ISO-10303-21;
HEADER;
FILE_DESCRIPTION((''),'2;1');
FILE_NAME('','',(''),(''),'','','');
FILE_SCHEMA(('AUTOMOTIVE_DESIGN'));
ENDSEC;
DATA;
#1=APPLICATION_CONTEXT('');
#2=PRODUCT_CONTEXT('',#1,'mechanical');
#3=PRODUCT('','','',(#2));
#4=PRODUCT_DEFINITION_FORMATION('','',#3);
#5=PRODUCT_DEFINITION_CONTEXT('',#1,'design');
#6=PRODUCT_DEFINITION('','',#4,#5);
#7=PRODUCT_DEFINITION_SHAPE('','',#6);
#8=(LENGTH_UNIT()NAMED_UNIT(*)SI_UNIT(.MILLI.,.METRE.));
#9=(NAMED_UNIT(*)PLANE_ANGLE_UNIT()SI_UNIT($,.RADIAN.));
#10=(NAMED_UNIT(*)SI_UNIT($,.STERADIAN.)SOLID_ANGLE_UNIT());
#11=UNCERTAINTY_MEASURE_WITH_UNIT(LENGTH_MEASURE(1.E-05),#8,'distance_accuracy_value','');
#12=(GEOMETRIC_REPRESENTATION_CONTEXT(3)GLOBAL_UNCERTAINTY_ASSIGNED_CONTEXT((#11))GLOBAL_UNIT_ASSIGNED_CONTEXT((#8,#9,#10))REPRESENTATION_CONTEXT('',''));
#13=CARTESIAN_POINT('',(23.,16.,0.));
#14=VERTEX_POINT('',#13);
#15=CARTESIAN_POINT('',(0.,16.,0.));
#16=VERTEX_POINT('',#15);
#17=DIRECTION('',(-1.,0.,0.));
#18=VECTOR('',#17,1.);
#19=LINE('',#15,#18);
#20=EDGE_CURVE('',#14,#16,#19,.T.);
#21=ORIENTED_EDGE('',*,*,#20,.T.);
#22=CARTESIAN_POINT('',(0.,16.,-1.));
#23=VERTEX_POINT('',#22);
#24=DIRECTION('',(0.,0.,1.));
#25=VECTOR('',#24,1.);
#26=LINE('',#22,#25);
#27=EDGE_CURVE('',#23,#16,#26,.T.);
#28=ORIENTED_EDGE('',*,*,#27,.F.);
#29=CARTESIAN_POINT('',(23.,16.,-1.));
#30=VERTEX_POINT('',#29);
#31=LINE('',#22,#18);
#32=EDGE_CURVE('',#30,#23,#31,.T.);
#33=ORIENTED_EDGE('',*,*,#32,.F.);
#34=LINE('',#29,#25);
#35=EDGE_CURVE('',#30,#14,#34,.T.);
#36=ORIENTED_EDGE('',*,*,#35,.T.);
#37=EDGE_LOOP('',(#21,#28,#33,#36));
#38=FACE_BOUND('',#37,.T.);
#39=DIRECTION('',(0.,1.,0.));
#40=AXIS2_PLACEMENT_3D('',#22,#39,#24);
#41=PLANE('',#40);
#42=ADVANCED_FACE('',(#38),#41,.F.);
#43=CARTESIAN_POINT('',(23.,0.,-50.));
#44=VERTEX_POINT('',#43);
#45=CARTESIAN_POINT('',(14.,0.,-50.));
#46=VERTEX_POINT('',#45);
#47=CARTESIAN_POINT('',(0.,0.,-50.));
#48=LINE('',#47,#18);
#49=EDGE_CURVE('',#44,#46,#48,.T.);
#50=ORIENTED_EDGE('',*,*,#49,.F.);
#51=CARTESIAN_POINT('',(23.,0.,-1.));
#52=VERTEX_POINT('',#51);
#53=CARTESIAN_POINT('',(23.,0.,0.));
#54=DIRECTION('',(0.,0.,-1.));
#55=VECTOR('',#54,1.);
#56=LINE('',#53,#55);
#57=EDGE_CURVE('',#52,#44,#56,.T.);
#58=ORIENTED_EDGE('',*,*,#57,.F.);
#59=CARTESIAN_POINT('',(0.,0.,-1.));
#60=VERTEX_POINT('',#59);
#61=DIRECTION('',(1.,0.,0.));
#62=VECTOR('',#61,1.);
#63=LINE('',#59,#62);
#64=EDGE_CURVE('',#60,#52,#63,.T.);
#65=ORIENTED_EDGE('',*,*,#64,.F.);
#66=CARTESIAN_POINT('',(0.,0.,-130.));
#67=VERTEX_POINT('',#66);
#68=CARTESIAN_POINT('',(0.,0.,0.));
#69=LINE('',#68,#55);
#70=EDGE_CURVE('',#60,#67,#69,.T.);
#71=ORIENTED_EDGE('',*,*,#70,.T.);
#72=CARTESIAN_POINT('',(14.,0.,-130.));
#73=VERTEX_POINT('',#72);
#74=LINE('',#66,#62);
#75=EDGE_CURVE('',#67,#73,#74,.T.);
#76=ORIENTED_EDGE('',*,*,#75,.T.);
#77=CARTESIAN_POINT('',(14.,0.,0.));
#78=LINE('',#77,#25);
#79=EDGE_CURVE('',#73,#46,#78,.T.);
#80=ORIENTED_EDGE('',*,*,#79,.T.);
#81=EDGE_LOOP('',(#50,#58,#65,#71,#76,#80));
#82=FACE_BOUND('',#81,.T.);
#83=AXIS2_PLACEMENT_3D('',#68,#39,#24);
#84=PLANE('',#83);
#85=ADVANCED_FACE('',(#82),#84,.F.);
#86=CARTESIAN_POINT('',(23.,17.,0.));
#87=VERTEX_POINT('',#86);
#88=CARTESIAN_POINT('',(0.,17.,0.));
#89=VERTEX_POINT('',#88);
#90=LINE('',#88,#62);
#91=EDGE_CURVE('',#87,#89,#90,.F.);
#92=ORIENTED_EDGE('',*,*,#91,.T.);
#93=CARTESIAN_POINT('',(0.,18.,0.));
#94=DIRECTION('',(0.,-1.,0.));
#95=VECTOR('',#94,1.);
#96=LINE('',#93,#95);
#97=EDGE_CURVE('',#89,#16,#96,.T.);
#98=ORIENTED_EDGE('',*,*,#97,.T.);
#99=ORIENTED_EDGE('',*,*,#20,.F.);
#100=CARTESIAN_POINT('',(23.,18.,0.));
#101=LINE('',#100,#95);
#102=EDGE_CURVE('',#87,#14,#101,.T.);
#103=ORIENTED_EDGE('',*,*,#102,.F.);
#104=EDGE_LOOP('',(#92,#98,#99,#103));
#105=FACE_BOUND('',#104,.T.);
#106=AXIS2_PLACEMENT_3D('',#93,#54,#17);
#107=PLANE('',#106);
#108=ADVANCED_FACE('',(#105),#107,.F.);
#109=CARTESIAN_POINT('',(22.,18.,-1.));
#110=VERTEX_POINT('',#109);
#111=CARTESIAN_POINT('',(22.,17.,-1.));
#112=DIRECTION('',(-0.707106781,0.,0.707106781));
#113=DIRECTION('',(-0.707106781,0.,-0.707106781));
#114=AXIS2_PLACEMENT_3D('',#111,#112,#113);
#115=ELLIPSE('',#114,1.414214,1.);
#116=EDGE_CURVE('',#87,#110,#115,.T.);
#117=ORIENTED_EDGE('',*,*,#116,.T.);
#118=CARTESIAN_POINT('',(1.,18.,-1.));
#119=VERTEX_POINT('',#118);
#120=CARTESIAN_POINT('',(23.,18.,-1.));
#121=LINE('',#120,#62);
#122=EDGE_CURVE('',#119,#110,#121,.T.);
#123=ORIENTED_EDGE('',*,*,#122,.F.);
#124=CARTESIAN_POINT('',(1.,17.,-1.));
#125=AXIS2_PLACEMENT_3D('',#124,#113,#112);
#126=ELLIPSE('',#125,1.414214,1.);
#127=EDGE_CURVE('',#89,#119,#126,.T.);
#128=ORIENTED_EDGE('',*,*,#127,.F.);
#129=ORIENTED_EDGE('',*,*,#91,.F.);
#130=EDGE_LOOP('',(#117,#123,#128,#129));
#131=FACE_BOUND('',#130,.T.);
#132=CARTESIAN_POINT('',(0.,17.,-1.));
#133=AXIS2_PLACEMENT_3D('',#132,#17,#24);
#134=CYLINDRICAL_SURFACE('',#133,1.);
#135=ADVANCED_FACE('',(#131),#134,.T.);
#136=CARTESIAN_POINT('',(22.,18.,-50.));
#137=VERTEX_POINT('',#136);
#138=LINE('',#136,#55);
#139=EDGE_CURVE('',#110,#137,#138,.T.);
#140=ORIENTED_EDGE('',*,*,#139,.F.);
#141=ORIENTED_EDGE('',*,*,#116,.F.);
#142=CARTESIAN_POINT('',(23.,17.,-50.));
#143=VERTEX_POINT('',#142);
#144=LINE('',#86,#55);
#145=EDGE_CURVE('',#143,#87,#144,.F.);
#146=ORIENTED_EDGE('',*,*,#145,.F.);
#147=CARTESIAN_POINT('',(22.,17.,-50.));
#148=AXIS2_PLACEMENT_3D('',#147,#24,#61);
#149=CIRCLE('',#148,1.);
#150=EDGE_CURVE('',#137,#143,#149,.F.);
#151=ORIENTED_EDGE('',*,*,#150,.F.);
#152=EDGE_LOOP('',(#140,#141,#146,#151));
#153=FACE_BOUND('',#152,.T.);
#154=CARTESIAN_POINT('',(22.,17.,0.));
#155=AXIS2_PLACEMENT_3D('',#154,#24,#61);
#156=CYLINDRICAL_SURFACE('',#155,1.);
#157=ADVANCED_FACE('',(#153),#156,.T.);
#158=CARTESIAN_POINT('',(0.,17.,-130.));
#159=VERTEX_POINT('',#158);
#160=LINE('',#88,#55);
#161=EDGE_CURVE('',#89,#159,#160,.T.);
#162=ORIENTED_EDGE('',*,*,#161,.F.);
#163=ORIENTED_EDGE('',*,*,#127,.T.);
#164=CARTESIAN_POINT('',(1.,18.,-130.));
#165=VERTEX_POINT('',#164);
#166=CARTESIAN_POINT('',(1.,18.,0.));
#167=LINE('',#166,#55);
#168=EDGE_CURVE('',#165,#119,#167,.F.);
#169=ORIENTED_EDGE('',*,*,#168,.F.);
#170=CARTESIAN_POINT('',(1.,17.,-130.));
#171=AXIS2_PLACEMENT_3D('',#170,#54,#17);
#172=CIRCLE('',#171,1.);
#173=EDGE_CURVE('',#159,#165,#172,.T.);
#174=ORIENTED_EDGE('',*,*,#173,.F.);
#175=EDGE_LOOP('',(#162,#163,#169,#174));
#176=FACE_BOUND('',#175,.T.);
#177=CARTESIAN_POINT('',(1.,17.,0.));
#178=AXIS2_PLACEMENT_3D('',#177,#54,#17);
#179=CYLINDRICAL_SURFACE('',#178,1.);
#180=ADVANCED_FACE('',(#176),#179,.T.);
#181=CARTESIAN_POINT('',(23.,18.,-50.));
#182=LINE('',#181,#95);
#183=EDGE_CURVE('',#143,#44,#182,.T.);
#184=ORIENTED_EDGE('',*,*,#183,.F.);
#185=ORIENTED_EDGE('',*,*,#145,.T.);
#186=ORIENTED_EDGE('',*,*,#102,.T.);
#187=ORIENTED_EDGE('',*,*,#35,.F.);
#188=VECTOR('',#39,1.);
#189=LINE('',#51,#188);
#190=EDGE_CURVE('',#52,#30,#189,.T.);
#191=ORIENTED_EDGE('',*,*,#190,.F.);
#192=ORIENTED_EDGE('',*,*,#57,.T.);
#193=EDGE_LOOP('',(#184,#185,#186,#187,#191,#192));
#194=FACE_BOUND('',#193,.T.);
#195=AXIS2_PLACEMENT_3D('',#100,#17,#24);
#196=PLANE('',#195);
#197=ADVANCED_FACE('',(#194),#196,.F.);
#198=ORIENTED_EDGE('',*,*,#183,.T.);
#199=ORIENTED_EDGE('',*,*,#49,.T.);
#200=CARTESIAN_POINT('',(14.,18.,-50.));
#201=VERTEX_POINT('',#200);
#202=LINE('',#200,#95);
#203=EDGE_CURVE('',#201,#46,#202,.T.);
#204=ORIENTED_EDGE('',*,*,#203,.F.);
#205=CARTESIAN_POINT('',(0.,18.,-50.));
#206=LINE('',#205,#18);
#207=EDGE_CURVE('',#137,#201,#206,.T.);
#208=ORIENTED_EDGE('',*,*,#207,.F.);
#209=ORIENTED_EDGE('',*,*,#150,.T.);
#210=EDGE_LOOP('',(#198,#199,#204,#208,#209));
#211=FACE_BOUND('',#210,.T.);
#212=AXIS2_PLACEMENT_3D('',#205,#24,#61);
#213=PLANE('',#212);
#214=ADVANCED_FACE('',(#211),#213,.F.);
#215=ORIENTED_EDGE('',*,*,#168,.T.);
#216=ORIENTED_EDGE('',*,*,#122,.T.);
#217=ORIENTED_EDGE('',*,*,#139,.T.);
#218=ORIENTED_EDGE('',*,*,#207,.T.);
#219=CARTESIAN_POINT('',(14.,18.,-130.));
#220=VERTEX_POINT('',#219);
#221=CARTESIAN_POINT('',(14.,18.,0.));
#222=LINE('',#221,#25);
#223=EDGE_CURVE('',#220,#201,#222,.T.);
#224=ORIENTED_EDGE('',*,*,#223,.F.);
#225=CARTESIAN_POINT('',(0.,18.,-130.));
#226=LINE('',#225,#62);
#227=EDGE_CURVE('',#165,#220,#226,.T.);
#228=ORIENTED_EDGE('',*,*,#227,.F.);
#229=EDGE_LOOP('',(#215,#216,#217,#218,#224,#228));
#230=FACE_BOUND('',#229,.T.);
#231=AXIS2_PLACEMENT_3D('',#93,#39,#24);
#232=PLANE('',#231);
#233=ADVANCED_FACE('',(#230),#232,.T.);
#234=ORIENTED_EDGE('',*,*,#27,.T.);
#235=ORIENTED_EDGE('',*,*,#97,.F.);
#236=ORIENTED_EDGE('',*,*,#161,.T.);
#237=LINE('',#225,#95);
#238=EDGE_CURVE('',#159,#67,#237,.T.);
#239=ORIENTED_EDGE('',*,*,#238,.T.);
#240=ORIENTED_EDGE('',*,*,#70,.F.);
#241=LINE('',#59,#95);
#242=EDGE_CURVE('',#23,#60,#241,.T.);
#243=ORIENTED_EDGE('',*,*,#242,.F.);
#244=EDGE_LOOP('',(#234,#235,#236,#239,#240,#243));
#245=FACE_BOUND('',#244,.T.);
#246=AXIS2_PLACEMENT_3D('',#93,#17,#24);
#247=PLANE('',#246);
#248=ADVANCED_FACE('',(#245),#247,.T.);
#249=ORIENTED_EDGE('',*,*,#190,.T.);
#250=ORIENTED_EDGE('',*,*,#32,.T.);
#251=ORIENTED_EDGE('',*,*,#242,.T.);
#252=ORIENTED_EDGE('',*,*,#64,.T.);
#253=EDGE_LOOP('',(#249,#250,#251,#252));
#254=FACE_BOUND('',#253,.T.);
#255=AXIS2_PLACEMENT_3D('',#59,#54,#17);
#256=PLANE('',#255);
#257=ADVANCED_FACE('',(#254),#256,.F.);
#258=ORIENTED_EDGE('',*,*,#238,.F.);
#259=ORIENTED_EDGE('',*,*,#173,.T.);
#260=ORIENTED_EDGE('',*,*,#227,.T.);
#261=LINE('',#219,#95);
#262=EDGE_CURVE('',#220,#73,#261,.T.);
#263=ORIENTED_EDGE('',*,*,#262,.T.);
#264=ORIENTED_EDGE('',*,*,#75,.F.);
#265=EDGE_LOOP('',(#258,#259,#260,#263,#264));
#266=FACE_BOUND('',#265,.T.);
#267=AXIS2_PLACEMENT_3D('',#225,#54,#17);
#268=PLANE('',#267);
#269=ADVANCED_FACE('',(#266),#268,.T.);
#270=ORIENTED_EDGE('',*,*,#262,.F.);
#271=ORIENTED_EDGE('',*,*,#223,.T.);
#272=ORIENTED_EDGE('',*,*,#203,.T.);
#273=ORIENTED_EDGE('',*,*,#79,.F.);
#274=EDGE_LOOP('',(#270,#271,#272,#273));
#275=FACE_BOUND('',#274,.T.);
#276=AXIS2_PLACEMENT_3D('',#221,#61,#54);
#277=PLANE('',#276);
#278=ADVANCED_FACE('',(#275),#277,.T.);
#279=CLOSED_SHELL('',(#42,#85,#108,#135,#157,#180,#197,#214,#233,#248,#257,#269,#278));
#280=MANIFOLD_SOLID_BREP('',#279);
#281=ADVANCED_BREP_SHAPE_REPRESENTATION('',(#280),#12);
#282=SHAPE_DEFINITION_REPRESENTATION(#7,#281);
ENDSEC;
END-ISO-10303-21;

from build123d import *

# Parameters (mm, degrees)
SALIENTE_EXTRUIR1_DEPTH = 18
CROQUIS3_W              = 23
CROQUIS3_H              = 16
CORTAR_EXTRUIR1_DEPTH   = 1
REDONDEO1_R             = 1


with BuildPart() as part:
    # Croquis2 → Saliente-Extruir1 (new body)
    with BuildSketch(Plane(origin=(0, 0, 0), x_dir=(1, 0, 0), z_dir=(0, 1, 0))):
        Polygon((0, 130), (0, 0), (23, 0), (23, 50), (14, 50), (14, 130), align=None)
    extrude(amount=SALIENTE_EXTRUIR1_DEPTH)

    # Croquis3 → Cortar-Extruir1 (cut)
    with BuildSketch(Plane.XY):
        with Locations((11.5, 8)):
            Rectangle(CROQUIS3_W, CROQUIS3_H)
    extrude(amount=-CORTAR_EXTRUIR1_DEPTH, mode=Mode.SUBTRACT)

    # Redondeo1
    redondeo1_edges = [part.edges().sort_by_distance(p)[0] for p in [
        (0, 18, -65),
        (11.5, 18, 0),
        (23, 18, -25),
    ]]
    fillet(redondeo1_edges, radius=REDONDEO1_R)


solid = part.part
